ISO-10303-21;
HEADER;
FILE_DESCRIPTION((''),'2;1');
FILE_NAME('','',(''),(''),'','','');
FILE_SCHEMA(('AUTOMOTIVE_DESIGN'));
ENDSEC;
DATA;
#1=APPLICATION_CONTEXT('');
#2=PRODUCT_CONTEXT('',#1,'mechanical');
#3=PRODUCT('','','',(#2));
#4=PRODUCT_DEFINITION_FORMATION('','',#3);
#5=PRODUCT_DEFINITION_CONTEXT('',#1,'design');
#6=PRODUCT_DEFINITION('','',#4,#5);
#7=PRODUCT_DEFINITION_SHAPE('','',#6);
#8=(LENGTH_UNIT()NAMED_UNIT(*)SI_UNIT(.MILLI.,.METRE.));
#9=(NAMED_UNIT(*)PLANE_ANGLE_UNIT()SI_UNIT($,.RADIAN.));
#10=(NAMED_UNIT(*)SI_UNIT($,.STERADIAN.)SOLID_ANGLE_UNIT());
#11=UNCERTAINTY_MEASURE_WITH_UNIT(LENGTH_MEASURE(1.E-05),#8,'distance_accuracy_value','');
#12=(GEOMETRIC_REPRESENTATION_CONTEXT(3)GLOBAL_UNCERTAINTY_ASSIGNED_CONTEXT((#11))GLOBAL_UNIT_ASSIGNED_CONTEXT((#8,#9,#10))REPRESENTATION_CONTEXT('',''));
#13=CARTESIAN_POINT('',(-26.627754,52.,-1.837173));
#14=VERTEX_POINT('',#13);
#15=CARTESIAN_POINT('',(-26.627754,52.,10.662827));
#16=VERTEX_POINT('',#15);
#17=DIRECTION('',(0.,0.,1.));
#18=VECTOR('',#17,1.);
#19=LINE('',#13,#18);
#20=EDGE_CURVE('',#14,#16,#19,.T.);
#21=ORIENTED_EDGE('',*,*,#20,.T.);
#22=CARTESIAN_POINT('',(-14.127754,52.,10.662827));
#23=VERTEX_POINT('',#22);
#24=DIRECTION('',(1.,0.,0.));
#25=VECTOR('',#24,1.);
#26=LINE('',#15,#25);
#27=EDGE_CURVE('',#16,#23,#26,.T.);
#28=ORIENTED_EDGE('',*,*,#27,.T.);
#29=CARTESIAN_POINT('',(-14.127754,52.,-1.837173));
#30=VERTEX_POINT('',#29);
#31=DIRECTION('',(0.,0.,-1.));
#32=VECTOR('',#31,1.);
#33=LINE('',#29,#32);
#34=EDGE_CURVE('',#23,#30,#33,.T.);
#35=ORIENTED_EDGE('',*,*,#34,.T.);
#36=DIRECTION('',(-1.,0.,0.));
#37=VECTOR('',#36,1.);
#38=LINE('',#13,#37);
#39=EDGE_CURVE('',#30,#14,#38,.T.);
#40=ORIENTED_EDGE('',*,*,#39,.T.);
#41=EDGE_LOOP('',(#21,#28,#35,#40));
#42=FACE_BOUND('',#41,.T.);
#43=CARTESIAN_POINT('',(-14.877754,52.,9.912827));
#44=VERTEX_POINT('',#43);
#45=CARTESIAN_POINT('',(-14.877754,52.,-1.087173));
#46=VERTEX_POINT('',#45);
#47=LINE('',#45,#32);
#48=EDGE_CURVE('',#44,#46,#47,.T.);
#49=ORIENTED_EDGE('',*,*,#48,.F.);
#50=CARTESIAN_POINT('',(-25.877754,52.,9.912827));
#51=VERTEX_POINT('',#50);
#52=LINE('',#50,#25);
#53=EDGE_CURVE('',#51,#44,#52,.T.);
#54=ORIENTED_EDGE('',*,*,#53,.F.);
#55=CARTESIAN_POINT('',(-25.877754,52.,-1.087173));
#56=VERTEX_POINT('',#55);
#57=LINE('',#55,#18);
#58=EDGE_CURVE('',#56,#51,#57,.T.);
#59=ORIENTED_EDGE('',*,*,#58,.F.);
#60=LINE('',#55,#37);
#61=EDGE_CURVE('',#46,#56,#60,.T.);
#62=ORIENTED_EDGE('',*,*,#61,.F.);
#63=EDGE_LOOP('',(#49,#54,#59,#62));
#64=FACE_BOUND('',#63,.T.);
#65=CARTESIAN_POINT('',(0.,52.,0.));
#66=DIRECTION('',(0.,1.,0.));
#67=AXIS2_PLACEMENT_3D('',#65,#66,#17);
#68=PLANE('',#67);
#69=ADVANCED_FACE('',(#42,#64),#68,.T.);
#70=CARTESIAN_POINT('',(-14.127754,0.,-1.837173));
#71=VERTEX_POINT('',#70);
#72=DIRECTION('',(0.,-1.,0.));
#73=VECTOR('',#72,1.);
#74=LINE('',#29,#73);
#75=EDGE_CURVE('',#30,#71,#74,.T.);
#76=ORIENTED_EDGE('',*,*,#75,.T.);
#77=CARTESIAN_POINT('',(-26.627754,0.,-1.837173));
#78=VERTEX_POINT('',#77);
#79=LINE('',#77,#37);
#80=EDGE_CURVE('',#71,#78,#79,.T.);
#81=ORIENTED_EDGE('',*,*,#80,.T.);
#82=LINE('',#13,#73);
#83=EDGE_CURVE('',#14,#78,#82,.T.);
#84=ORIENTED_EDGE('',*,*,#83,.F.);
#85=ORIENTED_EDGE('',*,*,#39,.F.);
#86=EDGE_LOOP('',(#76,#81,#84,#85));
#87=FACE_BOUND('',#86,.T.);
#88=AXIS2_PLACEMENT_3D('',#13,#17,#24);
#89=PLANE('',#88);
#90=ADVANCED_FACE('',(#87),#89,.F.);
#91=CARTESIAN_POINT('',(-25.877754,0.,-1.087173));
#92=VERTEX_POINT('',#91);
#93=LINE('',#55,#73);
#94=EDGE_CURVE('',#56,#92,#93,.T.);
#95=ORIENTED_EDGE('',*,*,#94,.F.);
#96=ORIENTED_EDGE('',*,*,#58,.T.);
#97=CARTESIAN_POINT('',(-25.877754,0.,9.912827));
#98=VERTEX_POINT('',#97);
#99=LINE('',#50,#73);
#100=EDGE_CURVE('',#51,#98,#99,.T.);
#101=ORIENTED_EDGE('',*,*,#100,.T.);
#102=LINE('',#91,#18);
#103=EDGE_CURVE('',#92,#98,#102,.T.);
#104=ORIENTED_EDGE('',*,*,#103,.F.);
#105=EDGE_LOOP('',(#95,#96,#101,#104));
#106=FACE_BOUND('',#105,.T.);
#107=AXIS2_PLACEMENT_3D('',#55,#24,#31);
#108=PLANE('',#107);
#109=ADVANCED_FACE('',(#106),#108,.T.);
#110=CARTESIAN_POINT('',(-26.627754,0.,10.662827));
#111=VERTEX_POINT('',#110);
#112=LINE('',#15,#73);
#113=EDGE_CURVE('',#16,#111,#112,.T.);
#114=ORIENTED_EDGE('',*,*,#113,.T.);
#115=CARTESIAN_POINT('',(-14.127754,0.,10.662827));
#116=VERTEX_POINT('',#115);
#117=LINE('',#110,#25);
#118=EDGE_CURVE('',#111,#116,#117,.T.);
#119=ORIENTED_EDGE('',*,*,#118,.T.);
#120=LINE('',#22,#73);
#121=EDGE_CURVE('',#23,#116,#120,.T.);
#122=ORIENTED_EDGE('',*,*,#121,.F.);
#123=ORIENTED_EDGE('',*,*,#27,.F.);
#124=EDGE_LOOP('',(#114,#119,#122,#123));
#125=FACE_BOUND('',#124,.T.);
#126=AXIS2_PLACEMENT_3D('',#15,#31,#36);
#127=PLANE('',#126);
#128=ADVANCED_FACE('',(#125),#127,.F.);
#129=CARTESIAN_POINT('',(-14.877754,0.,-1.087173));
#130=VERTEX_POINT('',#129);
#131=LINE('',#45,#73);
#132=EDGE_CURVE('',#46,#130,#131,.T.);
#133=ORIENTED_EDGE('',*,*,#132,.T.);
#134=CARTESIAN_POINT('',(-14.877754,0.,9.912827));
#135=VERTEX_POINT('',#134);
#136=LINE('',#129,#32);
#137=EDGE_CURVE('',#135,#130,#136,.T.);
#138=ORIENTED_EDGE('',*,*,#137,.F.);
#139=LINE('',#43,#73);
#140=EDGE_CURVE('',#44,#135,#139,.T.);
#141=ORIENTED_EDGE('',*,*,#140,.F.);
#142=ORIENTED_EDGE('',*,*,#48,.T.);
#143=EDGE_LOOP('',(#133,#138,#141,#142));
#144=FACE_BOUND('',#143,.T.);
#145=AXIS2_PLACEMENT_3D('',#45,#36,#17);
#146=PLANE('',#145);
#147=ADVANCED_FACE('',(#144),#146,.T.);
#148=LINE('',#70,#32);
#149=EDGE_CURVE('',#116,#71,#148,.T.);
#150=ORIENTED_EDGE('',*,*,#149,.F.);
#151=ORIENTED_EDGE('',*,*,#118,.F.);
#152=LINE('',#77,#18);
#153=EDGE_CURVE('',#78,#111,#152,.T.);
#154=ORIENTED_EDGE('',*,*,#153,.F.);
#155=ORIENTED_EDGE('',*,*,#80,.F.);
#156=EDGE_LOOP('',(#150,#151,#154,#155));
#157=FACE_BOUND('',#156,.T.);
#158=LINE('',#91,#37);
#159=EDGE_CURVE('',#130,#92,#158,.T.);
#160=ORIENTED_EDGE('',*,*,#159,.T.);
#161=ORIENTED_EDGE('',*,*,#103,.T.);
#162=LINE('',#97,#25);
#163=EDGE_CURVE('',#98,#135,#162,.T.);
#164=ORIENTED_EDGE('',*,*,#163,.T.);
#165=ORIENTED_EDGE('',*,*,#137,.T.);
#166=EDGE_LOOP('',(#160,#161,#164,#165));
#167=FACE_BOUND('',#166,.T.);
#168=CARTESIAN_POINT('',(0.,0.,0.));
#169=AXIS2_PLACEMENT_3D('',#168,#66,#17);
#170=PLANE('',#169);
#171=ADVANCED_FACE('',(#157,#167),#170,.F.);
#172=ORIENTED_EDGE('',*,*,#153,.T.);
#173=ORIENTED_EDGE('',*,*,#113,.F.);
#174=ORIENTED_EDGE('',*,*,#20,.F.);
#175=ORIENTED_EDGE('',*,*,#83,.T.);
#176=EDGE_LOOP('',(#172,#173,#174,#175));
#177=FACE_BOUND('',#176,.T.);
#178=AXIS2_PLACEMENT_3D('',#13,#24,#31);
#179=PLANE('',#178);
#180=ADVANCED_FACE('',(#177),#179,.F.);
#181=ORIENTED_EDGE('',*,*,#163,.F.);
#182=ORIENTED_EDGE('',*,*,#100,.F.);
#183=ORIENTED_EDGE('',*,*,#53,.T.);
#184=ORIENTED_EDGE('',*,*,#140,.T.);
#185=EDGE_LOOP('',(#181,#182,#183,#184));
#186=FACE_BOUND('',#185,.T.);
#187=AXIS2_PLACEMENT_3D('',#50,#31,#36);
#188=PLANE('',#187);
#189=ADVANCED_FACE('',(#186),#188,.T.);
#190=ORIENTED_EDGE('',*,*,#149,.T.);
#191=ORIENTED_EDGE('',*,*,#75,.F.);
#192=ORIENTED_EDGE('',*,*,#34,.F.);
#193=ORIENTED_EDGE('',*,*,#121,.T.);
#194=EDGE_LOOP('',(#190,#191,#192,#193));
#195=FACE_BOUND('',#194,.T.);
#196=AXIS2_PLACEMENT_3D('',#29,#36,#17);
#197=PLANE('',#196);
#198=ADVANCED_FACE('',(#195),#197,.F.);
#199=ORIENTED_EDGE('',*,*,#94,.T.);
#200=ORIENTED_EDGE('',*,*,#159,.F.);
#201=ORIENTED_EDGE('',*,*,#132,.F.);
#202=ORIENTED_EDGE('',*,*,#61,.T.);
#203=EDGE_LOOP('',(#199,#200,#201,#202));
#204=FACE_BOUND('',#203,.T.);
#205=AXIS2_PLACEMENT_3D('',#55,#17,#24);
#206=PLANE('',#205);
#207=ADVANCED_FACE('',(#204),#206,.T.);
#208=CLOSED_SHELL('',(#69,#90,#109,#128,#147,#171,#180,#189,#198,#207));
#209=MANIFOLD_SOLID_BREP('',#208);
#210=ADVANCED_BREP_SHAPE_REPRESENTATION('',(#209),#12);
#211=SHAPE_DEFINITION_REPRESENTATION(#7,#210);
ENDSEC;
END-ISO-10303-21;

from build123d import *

# Parameters (mm, degrees)
SKETCH1_W           = 12.5
SKETCH1_H           = 12.5
SKETCH1_W_2         = 11
SKETCH1_H_2         = 11
BOSS_EXTRUDE3_DEPTH = 52


with BuildPart() as part:
    # Sketch1 → Boss-Extrude3 (new body)
    with BuildSketch(Plane(origin=(0, 0, 0), x_dir=(1, 0, 0), z_dir=(0, 1, 0))):
        with Locations((-20.377754415, -4.412827368)):
            Rectangle(SKETCH1_W, SKETCH1_H)
        with Locations((-20.377754415, -4.412827368)):
            Rectangle(SKETCH1_W_2, SKETCH1_H_2, mode=Mode.SUBTRACT)
    extrude(amount=BOSS_EXTRUDE3_DEPTH)


solid = part.part
